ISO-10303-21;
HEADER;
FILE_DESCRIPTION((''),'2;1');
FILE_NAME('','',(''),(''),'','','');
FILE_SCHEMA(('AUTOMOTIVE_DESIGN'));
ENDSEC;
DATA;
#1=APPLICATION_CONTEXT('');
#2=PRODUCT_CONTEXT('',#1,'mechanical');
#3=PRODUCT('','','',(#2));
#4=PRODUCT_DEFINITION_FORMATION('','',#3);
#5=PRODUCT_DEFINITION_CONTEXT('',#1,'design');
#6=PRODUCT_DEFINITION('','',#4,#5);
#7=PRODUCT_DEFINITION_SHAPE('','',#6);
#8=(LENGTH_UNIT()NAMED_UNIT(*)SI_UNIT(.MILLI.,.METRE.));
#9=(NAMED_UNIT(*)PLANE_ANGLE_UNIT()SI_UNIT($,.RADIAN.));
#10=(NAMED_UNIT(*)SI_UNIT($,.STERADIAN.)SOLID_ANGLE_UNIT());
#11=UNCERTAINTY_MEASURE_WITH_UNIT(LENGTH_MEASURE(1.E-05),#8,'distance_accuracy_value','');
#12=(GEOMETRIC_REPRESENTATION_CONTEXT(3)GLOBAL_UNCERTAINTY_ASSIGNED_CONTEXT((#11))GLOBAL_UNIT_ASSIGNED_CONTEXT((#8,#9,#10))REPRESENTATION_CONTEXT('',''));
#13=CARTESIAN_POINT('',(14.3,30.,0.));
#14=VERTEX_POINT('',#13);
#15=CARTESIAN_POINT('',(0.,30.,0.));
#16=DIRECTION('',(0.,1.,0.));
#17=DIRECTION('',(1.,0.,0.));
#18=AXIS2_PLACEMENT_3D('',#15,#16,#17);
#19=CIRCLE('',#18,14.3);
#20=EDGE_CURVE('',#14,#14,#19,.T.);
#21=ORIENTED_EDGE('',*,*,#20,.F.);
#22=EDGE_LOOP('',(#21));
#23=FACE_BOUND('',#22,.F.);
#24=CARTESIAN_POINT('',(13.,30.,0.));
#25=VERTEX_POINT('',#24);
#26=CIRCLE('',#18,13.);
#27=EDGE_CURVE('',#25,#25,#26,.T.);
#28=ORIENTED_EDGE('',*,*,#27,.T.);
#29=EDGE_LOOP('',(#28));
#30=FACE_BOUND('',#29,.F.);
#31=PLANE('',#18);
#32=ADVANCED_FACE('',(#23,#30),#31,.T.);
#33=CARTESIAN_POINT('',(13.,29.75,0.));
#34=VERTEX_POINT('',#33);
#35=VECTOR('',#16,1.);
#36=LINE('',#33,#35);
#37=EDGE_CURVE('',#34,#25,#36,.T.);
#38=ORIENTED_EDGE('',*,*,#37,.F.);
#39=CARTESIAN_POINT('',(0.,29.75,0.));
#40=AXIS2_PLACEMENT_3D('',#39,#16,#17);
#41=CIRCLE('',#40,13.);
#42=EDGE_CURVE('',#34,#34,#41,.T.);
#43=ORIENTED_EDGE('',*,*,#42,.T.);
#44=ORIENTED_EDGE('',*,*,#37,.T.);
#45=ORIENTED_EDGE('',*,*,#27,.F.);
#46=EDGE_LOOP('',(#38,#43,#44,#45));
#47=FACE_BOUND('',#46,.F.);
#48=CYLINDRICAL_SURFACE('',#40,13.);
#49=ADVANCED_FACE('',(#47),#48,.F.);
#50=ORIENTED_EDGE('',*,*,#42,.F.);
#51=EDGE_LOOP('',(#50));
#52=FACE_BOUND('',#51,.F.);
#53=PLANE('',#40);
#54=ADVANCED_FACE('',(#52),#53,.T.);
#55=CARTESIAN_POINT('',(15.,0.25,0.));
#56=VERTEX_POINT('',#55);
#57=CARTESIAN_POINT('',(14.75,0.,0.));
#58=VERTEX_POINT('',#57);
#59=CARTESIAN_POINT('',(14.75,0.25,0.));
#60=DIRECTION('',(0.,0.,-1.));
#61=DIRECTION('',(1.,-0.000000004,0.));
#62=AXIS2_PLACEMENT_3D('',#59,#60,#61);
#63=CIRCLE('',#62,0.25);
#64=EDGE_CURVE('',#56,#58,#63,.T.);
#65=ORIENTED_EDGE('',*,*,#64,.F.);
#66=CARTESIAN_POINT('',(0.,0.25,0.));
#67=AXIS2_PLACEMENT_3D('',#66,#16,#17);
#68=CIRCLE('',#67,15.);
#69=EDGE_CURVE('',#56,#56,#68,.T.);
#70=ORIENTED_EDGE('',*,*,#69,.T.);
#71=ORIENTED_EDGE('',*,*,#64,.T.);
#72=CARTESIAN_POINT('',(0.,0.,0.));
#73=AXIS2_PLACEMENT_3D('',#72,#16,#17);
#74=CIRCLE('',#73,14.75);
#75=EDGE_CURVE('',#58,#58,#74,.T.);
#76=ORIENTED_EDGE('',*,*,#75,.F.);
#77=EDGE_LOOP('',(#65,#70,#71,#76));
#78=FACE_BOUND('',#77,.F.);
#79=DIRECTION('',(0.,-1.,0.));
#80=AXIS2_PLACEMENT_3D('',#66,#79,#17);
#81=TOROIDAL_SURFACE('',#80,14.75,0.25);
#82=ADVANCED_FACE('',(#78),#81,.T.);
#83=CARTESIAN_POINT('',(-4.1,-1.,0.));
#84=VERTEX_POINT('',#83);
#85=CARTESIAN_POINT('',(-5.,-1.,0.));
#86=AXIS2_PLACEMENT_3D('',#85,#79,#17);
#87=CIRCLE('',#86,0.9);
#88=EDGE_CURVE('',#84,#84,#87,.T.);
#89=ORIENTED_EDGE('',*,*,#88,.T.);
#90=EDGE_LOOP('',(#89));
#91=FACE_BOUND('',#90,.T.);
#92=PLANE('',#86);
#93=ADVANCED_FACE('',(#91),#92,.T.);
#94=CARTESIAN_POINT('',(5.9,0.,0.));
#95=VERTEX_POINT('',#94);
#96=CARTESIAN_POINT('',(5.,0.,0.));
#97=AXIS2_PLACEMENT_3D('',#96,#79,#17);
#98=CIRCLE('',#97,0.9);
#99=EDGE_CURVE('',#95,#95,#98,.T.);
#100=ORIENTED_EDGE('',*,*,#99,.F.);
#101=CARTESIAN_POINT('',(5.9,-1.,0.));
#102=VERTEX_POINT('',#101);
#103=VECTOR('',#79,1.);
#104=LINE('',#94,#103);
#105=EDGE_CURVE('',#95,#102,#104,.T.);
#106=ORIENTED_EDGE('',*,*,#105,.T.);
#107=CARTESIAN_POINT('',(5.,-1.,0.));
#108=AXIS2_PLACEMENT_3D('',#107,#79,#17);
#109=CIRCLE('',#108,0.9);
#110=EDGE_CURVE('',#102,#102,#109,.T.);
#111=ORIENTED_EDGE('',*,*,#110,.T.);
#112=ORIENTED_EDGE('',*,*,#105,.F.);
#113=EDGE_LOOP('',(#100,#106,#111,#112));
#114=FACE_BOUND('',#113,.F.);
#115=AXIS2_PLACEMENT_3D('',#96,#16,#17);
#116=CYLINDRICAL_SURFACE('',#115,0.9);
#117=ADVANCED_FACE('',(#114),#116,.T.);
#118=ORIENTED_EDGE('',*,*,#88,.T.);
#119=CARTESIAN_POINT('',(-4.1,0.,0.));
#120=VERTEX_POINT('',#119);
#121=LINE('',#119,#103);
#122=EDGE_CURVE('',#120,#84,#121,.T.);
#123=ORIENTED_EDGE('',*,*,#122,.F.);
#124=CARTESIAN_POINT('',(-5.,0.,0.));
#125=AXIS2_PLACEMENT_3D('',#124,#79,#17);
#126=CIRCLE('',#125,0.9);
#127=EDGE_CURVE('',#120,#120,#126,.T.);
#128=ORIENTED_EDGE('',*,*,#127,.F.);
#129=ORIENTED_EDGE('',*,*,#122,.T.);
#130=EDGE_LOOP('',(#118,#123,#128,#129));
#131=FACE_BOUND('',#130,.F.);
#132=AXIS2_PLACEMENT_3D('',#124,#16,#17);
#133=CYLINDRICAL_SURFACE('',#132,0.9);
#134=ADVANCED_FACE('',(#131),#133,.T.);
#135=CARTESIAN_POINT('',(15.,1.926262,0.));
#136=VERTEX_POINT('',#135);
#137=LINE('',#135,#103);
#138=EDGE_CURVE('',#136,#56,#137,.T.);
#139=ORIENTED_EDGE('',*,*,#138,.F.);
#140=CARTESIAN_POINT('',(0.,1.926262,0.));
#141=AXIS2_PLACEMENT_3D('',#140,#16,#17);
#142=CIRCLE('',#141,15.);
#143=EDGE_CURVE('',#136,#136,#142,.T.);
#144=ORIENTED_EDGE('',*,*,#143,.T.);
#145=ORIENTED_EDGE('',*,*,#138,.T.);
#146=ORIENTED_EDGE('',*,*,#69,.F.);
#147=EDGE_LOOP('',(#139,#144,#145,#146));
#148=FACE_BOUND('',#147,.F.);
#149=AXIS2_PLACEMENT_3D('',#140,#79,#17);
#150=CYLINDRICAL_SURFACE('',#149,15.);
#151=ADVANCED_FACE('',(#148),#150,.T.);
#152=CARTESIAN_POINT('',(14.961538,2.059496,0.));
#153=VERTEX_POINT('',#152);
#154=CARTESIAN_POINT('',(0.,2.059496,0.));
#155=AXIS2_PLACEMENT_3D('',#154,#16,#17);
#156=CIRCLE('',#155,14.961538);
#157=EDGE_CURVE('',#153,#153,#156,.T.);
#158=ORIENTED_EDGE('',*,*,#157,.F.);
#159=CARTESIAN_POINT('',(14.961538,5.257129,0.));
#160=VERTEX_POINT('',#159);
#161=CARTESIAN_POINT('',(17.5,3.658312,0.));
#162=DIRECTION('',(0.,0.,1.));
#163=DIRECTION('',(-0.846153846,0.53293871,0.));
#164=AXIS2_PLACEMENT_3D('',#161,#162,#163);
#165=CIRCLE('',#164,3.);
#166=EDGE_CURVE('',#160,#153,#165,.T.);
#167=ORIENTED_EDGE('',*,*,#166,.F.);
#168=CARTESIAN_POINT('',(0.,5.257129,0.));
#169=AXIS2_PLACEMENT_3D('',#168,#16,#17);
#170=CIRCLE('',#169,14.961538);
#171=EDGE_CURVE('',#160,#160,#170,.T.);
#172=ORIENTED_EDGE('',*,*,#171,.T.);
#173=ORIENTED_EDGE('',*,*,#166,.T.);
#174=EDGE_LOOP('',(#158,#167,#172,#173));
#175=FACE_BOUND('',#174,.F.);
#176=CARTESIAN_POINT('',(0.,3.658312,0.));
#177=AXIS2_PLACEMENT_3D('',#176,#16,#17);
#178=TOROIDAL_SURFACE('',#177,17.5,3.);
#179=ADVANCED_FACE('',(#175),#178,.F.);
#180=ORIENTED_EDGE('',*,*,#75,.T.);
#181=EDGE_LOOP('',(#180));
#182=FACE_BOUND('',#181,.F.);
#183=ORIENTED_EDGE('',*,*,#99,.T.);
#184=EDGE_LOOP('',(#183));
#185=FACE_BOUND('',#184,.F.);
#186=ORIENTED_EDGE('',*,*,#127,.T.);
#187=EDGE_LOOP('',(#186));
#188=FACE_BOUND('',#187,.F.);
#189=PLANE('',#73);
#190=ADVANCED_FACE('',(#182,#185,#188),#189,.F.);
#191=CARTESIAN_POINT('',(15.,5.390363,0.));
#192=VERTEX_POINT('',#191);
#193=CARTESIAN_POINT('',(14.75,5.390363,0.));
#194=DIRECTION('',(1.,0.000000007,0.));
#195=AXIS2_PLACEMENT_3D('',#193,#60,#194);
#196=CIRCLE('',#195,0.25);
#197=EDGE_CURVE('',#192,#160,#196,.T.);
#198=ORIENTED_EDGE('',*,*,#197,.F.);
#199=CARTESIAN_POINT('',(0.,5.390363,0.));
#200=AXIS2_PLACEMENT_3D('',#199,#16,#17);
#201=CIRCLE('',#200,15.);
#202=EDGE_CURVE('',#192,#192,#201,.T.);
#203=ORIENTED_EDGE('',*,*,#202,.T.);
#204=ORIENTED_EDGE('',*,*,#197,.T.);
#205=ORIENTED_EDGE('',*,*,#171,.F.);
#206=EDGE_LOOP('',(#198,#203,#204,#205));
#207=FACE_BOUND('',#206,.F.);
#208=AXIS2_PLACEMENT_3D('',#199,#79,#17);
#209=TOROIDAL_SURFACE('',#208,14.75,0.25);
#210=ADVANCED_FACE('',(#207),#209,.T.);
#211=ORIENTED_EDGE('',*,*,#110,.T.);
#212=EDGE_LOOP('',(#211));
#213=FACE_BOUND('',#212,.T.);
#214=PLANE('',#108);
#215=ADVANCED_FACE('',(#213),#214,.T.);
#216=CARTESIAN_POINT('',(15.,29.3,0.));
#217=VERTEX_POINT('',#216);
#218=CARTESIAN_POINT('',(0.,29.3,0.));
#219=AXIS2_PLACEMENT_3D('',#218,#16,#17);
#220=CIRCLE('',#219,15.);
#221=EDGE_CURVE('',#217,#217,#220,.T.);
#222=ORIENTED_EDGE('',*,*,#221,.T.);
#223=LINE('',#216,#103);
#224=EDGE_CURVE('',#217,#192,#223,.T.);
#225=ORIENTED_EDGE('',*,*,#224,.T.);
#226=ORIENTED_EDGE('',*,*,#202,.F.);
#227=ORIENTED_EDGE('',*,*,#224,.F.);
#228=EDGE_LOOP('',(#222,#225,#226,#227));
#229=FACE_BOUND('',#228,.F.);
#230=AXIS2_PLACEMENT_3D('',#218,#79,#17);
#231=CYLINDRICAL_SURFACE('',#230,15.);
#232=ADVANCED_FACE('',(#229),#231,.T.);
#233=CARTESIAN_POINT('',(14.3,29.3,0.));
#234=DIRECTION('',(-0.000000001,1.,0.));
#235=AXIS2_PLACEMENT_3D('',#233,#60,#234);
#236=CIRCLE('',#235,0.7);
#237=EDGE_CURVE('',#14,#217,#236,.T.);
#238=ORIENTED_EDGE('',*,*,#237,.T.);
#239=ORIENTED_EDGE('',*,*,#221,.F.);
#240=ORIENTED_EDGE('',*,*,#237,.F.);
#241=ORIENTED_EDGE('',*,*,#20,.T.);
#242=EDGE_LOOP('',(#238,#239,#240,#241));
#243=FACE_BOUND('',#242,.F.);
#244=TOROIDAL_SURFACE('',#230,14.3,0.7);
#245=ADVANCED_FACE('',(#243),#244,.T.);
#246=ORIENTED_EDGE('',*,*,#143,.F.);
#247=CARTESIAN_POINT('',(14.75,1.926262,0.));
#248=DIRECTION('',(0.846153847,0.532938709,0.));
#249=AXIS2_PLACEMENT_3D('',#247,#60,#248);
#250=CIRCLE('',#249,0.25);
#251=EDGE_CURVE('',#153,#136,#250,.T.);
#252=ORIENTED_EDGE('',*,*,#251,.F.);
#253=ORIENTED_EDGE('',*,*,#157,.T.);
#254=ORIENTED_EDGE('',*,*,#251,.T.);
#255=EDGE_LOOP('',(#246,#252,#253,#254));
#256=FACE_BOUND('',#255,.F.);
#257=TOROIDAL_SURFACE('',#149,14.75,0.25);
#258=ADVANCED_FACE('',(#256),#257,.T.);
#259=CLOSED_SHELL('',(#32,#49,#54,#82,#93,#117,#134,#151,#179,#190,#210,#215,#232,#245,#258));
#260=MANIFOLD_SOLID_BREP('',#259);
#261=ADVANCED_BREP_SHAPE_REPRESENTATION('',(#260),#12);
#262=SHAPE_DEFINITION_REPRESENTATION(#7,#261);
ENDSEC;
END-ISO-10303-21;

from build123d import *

# Parameters (mm, degrees)
SKETCH4_R           = 0.9
BOSS_EXTRUDE1_DEPTH = 1


with BuildPart() as part:
    # Sketch1 → Revolve1 (revolve)
    with BuildSketch(Plane.XY):
        with BuildLine():
            Line((0, 29.75), (13, 29.75))
            Line((13, 29.75), (13, 30))
            Line((13, 30), (14.3, 30))
            ThreePointArc((14.3, 30), (14.794974747, 29.794974747), (15, 29.3))
            Line((15, 29.3), (15, 5.390363203))
            ThreePointArc((15, 5.390363203), (14.990192231, 5.321025678), (14.961538462, 5.257128525))
            ThreePointArc((14.961538462, 5.257128525), (14.5, 3.658312395), (14.961538462, 2.059496265))
            ThreePointArc((14.961538462, 2.059496265), (14.990192231, 1.995599112), (15, 1.926261588))
            Line((15, 1.926261588), (15, 0.25))
            ThreePointArc((15, 0.25), (14.926776695, 0.073223305), (14.75, 0))
            Line((14.75, 0), (0, 0))
            Line((0, 0), (0, 29.75))
        make_face()
    revolve(axis=Axis((0, 0, 0), (0, 1, 0)))

    # Sketch4 → Boss-Extrude1 (add)
    with BuildSketch(Plane.XZ):
        with Locations((5, 0)):
            Circle(SKETCH4_R)
        with Locations((-5, 0)):
            Circle(SKETCH4_R)
    extrude(amount=BOSS_EXTRUDE1_DEPTH)


solid = part.part
